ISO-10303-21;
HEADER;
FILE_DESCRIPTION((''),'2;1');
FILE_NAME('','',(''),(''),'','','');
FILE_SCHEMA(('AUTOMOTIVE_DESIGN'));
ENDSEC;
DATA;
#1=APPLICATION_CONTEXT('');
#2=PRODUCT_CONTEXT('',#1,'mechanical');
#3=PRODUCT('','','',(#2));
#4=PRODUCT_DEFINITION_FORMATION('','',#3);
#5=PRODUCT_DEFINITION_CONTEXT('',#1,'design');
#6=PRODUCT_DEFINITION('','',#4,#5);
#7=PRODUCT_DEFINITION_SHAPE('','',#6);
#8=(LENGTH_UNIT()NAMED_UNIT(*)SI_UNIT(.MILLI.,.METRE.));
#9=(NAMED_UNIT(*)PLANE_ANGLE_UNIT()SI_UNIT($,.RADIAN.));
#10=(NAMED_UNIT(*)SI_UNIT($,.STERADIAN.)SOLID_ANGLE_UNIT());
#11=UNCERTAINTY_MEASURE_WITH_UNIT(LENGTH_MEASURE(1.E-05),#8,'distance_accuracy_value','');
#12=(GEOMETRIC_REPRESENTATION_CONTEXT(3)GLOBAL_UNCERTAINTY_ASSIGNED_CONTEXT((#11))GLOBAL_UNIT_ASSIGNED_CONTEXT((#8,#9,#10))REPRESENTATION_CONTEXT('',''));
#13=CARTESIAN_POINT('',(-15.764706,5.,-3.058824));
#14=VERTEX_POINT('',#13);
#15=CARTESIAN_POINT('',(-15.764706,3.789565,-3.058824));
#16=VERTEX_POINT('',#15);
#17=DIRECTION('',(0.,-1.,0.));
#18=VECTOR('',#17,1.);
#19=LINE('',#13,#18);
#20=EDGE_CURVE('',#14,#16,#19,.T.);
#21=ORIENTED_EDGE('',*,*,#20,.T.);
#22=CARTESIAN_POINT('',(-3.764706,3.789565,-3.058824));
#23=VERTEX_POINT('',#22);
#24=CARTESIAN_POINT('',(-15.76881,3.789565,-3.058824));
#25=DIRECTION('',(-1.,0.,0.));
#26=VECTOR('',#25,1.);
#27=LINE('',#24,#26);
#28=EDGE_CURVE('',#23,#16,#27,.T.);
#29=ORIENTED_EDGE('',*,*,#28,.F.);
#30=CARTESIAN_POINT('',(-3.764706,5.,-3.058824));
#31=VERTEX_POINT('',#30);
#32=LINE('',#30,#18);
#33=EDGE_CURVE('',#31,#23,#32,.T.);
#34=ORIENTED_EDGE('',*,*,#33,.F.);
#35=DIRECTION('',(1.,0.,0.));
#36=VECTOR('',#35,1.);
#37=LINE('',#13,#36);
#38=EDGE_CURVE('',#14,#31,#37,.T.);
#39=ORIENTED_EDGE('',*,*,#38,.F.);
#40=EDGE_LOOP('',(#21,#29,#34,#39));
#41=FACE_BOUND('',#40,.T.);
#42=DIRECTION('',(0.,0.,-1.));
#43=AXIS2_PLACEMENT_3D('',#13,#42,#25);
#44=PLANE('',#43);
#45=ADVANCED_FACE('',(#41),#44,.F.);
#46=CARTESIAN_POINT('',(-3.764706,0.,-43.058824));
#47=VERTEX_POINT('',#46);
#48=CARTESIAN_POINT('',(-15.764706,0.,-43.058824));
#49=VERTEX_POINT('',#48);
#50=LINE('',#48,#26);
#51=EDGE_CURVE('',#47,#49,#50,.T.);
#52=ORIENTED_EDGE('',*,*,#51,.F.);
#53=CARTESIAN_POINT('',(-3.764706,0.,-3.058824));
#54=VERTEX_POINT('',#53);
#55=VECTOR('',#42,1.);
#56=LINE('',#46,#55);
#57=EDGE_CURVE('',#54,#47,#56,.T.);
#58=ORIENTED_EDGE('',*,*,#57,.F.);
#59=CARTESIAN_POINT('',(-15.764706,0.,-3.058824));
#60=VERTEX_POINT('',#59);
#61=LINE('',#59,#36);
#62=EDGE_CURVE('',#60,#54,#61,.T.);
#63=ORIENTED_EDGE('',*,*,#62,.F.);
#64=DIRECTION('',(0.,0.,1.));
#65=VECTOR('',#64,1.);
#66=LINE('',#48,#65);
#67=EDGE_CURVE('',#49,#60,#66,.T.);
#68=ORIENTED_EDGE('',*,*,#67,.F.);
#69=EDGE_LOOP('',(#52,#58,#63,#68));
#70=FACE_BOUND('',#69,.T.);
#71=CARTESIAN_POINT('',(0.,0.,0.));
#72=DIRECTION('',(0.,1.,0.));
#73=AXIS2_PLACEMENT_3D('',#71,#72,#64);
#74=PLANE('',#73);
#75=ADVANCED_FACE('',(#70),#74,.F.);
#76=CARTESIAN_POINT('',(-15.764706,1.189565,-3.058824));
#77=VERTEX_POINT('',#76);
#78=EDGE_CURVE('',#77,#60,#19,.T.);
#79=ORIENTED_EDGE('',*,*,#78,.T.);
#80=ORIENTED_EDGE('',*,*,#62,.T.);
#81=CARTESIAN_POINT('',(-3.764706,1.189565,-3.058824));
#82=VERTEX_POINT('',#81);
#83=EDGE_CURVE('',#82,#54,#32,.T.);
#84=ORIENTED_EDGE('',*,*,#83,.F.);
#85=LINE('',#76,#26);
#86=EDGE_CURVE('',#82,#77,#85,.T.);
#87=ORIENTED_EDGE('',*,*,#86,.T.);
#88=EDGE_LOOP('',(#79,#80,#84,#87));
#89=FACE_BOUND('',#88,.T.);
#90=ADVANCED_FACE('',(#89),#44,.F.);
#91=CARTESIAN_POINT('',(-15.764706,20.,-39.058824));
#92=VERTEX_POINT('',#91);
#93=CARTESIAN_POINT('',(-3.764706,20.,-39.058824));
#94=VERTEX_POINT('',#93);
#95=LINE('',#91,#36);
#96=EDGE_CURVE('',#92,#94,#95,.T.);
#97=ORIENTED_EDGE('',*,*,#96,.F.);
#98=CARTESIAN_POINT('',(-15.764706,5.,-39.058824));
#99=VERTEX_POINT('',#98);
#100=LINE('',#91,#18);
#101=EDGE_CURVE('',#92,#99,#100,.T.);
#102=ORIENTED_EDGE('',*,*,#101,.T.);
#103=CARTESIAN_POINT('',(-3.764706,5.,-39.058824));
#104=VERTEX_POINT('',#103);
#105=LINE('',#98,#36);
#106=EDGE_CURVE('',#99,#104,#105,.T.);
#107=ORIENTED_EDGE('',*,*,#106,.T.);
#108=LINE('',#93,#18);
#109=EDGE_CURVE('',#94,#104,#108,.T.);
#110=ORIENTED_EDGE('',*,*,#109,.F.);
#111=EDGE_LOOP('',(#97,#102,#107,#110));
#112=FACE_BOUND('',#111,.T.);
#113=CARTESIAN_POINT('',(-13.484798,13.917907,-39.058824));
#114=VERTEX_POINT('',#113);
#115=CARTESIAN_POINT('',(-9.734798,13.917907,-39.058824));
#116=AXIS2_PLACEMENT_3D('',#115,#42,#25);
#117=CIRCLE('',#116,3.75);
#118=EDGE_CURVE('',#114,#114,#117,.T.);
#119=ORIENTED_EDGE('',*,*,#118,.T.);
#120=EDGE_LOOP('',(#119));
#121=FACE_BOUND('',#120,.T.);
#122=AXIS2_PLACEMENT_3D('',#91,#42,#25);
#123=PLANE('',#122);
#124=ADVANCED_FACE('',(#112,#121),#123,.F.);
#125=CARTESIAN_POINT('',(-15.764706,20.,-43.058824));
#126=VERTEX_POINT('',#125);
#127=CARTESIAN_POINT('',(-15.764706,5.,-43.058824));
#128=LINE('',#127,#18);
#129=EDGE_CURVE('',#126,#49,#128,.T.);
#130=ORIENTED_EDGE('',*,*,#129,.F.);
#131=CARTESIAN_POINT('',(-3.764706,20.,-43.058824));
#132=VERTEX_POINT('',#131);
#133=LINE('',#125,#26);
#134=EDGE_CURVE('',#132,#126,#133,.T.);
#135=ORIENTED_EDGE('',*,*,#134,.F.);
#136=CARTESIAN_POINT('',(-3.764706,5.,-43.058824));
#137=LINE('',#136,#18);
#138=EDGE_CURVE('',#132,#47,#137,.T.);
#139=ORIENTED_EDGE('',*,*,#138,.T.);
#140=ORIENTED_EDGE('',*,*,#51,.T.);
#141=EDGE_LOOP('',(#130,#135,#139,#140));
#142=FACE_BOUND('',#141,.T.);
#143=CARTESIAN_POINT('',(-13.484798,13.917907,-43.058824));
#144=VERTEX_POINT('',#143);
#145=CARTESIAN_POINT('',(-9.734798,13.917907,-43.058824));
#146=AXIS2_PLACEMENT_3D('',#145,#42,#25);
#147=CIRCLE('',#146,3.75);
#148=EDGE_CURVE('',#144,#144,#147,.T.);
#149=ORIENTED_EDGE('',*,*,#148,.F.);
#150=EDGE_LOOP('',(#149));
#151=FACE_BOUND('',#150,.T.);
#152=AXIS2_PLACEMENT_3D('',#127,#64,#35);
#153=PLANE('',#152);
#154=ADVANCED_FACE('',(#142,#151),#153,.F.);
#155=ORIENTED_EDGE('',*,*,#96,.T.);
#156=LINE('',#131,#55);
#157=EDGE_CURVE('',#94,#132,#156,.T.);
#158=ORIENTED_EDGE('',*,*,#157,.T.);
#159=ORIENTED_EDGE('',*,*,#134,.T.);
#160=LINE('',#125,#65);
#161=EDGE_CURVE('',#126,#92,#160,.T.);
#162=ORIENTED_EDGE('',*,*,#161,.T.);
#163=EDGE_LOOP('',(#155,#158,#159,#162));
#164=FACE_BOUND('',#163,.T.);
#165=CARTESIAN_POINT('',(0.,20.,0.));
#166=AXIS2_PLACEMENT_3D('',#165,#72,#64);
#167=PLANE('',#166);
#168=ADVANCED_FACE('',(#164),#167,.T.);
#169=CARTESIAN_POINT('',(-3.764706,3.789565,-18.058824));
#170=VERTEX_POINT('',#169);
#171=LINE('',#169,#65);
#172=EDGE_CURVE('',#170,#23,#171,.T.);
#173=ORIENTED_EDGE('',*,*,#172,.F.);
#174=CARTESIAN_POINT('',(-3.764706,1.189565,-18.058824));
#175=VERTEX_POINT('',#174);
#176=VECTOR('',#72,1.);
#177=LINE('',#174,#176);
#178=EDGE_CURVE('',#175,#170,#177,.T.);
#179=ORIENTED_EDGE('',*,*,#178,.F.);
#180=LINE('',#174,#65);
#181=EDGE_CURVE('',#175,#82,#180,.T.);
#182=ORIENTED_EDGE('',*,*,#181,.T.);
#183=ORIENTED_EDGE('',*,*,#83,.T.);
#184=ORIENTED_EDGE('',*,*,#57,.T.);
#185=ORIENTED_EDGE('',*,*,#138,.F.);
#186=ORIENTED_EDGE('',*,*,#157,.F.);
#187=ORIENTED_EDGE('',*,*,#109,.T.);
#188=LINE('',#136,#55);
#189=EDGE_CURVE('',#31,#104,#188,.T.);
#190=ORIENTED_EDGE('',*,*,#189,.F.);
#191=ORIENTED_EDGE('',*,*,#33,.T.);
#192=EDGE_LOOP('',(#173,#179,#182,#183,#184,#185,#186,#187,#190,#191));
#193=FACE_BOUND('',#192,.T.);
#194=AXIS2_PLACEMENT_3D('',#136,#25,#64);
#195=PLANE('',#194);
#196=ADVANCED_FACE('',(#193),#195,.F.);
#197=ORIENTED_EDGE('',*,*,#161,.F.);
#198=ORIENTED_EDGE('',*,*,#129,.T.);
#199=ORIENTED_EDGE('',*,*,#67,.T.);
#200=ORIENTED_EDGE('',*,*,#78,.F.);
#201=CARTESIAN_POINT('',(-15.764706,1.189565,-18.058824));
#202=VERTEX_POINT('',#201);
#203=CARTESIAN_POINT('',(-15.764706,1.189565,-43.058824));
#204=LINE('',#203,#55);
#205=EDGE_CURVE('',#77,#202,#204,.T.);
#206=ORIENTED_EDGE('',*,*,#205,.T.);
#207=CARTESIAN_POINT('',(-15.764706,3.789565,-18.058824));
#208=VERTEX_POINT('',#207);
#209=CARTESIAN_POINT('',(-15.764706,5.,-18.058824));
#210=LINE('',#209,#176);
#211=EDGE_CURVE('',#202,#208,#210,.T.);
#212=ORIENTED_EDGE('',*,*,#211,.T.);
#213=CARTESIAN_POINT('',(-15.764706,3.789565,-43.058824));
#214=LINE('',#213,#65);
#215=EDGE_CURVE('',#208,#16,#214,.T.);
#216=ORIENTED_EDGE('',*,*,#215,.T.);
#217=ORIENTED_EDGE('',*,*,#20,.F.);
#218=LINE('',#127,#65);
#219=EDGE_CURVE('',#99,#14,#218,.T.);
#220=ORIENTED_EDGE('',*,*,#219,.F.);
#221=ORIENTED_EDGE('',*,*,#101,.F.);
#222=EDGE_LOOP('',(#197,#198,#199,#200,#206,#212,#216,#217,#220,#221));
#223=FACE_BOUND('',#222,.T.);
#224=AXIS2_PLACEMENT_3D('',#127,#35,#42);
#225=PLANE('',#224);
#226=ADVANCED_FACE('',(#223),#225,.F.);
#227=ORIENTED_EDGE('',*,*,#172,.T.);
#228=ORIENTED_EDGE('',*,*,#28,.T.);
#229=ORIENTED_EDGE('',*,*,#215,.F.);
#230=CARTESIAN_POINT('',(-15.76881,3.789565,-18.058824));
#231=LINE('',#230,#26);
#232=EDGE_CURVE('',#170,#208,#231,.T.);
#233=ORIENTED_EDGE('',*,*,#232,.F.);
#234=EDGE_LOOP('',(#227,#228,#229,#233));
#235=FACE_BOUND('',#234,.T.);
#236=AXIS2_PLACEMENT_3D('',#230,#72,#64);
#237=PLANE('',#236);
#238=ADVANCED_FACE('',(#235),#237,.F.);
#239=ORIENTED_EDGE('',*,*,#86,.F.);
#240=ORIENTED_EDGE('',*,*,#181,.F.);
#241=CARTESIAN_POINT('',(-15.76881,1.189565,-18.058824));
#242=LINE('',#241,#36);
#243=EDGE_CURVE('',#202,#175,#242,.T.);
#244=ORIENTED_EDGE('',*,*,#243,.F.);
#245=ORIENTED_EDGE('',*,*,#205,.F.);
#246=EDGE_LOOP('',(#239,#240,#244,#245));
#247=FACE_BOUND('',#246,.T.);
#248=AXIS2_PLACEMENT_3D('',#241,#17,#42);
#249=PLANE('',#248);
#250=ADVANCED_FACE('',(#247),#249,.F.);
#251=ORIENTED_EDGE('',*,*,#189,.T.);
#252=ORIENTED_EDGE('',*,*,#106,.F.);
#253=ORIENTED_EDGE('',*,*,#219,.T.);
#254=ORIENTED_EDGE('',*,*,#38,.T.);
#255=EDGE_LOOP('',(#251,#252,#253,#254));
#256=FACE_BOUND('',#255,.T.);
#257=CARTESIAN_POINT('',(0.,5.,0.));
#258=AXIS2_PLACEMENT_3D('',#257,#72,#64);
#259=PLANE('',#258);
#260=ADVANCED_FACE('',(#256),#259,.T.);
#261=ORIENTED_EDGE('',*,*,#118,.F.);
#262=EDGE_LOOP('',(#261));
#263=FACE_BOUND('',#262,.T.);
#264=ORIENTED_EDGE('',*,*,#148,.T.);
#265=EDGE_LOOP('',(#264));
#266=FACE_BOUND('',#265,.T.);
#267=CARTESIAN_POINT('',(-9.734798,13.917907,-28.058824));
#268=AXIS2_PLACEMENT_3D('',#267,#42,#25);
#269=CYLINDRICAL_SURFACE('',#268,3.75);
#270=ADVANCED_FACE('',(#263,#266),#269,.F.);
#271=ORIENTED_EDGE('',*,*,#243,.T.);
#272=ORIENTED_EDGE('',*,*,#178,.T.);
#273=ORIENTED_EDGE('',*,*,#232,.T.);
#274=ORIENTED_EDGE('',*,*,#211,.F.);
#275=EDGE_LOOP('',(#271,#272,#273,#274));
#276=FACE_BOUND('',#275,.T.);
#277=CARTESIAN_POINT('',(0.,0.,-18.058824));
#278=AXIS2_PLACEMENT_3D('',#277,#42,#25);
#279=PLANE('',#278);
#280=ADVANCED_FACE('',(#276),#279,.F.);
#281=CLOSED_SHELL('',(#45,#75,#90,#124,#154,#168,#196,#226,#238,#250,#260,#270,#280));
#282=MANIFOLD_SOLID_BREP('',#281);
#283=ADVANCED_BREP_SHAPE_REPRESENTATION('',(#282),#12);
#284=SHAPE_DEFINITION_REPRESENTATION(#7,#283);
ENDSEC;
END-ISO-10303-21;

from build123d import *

# Parameters (mm, degrees)
SKETCH2_W           = 12
SKETCH2_H           = 40
BOSS_EXTRUDE1_DEPTH = 5
SKETCH3_W           = 12.004104261
SKETCH3_H           = 2.6
CUT_EXTRUDE1_DEPTH  = 15
SKETCH4_W           = 12
SKETCH4_H           = 4
BOSS_EXTRUDE2_DEPTH = 15
SKETCH5_R           = 3.75
CUT_EXTRUDE2_DEPTH  = 15


with BuildPart() as part:
    # Sketch2 → Boss-Extrude1 (new body)
    with BuildSketch(Plane(origin=(0, 0, 0), x_dir=(1, 0, 0), z_dir=(0, 1, 0))):
        with Locations((-9.764705882, 23.058823529)):
            Rectangle(SKETCH2_W, SKETCH2_H)
    extrude(amount=BOSS_EXTRUDE1_DEPTH)

    # Sketch3 → Cut-Extrude1 (cut)
    with BuildSketch(Plane.XY.offset(-3.058823529)):
        with Locations((-9.766758013, 2.489565118)):
            Rectangle(SKETCH3_W, SKETCH3_H)
    extrude(amount=-CUT_EXTRUDE1_DEPTH, mode=Mode.SUBTRACT)

    # Sketch4 → Boss-Extrude2 (add)
    with BuildSketch(Plane(origin=(0, 5, 0), x_dir=(1, 0, 0), z_dir=(0, 1, 0))):
        with Locations((-9.764705882, 41.058823529)):
            Rectangle(SKETCH4_W, SKETCH4_H)
    extrude(amount=BOSS_EXTRUDE2_DEPTH)

    # Sketch5 → Cut-Extrude2 (cut)
    with BuildSketch(Plane(origin=(0, 0, -43.058823529), x_dir=(-1, 0, 0), z_dir=(0, 0, -1))):
        with Locations((9.734798195, 13.917907096)):
            Circle(SKETCH5_R)
    extrude(amount=-CUT_EXTRUDE2_DEPTH, mode=Mode.SUBTRACT)


solid = part.part
